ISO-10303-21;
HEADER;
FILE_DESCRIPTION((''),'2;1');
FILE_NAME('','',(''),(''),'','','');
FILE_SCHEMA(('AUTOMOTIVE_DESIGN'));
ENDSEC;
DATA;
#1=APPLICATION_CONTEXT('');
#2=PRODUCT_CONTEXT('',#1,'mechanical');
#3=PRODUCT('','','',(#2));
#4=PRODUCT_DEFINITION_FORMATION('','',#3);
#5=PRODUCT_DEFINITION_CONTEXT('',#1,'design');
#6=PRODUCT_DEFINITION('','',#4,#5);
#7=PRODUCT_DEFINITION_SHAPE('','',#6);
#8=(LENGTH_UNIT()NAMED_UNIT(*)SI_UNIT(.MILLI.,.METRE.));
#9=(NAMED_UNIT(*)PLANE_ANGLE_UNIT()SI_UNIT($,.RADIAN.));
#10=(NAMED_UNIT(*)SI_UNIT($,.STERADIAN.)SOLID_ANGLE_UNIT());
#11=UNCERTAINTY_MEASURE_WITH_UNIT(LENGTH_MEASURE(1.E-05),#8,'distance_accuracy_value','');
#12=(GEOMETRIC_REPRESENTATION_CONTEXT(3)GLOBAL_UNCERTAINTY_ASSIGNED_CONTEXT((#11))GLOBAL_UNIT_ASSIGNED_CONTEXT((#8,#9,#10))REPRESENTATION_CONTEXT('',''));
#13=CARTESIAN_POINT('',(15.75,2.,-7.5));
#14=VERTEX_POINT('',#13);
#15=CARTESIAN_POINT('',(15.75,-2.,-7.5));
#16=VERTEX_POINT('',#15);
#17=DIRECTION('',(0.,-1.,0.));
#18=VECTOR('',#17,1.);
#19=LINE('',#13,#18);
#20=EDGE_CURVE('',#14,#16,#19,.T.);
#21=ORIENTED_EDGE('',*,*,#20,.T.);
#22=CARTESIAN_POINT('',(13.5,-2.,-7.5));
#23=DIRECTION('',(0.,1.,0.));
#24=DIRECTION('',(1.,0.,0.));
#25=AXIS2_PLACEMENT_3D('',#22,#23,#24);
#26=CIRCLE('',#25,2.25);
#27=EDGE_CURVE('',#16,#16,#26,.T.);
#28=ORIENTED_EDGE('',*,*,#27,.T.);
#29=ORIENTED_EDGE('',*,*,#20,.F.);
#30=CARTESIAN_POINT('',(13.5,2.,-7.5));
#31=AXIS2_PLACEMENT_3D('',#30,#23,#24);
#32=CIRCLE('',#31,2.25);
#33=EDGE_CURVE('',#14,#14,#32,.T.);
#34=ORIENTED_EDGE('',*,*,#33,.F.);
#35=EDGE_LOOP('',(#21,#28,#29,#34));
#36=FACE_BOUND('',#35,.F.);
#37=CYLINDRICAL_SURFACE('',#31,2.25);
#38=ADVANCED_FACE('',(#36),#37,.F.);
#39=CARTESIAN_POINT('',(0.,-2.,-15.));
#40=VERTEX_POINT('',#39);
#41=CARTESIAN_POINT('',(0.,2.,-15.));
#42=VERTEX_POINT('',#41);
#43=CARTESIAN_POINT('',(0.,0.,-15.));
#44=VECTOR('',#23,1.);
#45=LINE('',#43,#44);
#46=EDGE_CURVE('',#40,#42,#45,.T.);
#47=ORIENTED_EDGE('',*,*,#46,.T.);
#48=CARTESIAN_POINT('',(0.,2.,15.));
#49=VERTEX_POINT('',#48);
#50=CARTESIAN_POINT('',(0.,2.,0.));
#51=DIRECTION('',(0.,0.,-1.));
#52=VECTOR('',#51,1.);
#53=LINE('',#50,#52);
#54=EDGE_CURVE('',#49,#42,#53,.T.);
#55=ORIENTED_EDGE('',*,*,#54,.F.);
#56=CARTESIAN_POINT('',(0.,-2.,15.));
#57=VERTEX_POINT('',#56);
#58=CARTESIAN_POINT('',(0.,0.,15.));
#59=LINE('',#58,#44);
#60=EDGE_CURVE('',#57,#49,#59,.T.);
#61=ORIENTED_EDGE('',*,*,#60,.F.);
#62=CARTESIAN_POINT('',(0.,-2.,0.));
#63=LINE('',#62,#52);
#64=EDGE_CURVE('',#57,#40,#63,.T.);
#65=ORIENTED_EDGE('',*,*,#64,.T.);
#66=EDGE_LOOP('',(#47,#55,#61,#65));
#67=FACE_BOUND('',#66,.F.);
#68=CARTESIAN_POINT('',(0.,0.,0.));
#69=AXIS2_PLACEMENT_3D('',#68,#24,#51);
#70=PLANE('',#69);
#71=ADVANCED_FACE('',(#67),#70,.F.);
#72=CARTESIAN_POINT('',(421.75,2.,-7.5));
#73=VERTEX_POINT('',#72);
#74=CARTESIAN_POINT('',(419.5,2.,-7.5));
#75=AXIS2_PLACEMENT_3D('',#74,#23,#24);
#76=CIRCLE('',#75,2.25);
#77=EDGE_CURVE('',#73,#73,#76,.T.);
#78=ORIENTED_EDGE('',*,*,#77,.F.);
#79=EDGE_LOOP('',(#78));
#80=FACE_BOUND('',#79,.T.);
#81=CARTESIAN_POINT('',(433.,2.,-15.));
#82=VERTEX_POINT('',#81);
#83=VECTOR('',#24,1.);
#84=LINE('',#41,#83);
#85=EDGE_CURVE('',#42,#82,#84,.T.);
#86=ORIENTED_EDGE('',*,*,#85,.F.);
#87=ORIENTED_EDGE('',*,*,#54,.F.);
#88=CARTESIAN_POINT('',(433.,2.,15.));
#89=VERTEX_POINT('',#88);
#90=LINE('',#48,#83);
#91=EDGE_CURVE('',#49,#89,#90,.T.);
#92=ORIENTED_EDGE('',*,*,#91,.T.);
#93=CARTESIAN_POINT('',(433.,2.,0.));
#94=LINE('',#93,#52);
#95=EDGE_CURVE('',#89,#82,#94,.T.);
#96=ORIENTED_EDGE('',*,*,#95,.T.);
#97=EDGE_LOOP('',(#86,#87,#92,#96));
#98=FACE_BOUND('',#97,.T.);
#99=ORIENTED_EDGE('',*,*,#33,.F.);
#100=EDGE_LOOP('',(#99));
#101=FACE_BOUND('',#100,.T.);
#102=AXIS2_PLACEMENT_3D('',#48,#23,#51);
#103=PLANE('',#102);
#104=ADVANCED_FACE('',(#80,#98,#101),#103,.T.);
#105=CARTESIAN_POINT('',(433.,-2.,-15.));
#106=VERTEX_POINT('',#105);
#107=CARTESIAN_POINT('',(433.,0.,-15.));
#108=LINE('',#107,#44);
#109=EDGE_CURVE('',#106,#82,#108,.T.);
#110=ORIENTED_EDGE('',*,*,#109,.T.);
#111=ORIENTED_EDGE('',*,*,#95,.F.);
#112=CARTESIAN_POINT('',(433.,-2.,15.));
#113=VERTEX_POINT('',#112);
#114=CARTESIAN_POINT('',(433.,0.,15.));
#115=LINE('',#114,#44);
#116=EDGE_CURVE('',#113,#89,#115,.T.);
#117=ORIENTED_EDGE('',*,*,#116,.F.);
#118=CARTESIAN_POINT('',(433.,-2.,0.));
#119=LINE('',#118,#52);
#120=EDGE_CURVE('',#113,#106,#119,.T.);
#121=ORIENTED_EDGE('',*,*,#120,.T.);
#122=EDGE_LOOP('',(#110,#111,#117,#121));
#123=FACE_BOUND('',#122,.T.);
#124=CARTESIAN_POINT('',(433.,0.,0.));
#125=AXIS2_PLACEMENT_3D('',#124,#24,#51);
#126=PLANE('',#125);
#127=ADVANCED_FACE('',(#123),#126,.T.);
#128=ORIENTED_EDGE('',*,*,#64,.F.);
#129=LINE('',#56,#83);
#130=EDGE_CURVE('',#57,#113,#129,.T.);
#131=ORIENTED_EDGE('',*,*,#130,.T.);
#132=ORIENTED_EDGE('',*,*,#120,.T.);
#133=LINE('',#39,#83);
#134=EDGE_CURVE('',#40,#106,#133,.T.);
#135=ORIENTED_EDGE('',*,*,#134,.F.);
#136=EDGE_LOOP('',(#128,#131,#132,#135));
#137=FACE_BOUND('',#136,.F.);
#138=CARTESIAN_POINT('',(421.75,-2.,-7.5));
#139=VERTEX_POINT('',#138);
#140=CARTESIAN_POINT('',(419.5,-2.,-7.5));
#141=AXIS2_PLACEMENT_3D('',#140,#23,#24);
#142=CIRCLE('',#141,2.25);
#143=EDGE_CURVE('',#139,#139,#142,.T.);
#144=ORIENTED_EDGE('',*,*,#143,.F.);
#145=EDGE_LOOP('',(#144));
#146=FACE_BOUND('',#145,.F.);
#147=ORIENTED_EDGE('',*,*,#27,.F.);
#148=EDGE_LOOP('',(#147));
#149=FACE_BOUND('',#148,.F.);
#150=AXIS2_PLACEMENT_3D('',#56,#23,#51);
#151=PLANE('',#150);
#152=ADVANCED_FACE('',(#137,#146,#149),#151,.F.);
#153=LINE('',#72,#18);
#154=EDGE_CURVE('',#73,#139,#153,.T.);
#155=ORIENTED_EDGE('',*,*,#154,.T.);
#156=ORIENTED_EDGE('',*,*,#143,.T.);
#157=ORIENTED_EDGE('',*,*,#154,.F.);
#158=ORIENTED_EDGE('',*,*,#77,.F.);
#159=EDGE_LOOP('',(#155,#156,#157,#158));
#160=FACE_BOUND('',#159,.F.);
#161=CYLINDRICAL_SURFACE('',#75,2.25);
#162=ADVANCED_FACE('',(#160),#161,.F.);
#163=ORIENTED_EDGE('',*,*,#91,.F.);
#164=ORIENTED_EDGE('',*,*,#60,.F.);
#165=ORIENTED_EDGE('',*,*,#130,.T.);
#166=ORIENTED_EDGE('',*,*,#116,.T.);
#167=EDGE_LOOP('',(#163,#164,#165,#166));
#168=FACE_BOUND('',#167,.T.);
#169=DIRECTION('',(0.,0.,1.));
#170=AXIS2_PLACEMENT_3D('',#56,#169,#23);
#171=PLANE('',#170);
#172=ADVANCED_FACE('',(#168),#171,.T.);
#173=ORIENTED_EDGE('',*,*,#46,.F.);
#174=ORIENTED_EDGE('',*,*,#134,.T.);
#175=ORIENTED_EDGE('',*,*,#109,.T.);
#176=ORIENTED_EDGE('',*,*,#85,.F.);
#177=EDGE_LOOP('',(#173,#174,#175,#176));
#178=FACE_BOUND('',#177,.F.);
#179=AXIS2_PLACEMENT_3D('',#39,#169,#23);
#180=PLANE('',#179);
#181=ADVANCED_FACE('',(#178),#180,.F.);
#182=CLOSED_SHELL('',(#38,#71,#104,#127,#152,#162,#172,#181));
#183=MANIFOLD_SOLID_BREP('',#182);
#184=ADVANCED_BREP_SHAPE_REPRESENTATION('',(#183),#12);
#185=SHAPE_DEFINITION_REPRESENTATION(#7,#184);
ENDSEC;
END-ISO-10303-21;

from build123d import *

# Parameters (mm, degrees)
SKETCH_1_W          = 30
SKETCH_1_H          = 4
EXTRUDE_1_DEPTH     = 433
SKETCH_2_R          = 2.25
CUT_EXTRUDE_1_DEPTH = 5


with BuildPart() as part:
    # Эскиз1 → Бобышка-Вытянуть1 (new body)
    with BuildSketch(Plane(origin=(0, 0, 0), x_dir=(0, 0, -1), z_dir=(1, 0, 0))):
        Rectangle(SKETCH_1_W, SKETCH_1_H)
    extrude(amount=EXTRUDE_1_DEPTH)

    # Эскиз2 → Вырез-Вытянуть1 (cut, through all)
    with BuildSketch(Plane(origin=(0, 2, 0), x_dir=(1, 0, 0), z_dir=(0, 1, 0))):
        with Locations((13.5, 7.5)):
            Circle(SKETCH_2_R)
        with Locations((419.5, 7.5)):
            Circle(SKETCH_2_R)
    extrude(amount=-CUT_EXTRUDE_1_DEPTH, mode=Mode.SUBTRACT)


solid = part.part
